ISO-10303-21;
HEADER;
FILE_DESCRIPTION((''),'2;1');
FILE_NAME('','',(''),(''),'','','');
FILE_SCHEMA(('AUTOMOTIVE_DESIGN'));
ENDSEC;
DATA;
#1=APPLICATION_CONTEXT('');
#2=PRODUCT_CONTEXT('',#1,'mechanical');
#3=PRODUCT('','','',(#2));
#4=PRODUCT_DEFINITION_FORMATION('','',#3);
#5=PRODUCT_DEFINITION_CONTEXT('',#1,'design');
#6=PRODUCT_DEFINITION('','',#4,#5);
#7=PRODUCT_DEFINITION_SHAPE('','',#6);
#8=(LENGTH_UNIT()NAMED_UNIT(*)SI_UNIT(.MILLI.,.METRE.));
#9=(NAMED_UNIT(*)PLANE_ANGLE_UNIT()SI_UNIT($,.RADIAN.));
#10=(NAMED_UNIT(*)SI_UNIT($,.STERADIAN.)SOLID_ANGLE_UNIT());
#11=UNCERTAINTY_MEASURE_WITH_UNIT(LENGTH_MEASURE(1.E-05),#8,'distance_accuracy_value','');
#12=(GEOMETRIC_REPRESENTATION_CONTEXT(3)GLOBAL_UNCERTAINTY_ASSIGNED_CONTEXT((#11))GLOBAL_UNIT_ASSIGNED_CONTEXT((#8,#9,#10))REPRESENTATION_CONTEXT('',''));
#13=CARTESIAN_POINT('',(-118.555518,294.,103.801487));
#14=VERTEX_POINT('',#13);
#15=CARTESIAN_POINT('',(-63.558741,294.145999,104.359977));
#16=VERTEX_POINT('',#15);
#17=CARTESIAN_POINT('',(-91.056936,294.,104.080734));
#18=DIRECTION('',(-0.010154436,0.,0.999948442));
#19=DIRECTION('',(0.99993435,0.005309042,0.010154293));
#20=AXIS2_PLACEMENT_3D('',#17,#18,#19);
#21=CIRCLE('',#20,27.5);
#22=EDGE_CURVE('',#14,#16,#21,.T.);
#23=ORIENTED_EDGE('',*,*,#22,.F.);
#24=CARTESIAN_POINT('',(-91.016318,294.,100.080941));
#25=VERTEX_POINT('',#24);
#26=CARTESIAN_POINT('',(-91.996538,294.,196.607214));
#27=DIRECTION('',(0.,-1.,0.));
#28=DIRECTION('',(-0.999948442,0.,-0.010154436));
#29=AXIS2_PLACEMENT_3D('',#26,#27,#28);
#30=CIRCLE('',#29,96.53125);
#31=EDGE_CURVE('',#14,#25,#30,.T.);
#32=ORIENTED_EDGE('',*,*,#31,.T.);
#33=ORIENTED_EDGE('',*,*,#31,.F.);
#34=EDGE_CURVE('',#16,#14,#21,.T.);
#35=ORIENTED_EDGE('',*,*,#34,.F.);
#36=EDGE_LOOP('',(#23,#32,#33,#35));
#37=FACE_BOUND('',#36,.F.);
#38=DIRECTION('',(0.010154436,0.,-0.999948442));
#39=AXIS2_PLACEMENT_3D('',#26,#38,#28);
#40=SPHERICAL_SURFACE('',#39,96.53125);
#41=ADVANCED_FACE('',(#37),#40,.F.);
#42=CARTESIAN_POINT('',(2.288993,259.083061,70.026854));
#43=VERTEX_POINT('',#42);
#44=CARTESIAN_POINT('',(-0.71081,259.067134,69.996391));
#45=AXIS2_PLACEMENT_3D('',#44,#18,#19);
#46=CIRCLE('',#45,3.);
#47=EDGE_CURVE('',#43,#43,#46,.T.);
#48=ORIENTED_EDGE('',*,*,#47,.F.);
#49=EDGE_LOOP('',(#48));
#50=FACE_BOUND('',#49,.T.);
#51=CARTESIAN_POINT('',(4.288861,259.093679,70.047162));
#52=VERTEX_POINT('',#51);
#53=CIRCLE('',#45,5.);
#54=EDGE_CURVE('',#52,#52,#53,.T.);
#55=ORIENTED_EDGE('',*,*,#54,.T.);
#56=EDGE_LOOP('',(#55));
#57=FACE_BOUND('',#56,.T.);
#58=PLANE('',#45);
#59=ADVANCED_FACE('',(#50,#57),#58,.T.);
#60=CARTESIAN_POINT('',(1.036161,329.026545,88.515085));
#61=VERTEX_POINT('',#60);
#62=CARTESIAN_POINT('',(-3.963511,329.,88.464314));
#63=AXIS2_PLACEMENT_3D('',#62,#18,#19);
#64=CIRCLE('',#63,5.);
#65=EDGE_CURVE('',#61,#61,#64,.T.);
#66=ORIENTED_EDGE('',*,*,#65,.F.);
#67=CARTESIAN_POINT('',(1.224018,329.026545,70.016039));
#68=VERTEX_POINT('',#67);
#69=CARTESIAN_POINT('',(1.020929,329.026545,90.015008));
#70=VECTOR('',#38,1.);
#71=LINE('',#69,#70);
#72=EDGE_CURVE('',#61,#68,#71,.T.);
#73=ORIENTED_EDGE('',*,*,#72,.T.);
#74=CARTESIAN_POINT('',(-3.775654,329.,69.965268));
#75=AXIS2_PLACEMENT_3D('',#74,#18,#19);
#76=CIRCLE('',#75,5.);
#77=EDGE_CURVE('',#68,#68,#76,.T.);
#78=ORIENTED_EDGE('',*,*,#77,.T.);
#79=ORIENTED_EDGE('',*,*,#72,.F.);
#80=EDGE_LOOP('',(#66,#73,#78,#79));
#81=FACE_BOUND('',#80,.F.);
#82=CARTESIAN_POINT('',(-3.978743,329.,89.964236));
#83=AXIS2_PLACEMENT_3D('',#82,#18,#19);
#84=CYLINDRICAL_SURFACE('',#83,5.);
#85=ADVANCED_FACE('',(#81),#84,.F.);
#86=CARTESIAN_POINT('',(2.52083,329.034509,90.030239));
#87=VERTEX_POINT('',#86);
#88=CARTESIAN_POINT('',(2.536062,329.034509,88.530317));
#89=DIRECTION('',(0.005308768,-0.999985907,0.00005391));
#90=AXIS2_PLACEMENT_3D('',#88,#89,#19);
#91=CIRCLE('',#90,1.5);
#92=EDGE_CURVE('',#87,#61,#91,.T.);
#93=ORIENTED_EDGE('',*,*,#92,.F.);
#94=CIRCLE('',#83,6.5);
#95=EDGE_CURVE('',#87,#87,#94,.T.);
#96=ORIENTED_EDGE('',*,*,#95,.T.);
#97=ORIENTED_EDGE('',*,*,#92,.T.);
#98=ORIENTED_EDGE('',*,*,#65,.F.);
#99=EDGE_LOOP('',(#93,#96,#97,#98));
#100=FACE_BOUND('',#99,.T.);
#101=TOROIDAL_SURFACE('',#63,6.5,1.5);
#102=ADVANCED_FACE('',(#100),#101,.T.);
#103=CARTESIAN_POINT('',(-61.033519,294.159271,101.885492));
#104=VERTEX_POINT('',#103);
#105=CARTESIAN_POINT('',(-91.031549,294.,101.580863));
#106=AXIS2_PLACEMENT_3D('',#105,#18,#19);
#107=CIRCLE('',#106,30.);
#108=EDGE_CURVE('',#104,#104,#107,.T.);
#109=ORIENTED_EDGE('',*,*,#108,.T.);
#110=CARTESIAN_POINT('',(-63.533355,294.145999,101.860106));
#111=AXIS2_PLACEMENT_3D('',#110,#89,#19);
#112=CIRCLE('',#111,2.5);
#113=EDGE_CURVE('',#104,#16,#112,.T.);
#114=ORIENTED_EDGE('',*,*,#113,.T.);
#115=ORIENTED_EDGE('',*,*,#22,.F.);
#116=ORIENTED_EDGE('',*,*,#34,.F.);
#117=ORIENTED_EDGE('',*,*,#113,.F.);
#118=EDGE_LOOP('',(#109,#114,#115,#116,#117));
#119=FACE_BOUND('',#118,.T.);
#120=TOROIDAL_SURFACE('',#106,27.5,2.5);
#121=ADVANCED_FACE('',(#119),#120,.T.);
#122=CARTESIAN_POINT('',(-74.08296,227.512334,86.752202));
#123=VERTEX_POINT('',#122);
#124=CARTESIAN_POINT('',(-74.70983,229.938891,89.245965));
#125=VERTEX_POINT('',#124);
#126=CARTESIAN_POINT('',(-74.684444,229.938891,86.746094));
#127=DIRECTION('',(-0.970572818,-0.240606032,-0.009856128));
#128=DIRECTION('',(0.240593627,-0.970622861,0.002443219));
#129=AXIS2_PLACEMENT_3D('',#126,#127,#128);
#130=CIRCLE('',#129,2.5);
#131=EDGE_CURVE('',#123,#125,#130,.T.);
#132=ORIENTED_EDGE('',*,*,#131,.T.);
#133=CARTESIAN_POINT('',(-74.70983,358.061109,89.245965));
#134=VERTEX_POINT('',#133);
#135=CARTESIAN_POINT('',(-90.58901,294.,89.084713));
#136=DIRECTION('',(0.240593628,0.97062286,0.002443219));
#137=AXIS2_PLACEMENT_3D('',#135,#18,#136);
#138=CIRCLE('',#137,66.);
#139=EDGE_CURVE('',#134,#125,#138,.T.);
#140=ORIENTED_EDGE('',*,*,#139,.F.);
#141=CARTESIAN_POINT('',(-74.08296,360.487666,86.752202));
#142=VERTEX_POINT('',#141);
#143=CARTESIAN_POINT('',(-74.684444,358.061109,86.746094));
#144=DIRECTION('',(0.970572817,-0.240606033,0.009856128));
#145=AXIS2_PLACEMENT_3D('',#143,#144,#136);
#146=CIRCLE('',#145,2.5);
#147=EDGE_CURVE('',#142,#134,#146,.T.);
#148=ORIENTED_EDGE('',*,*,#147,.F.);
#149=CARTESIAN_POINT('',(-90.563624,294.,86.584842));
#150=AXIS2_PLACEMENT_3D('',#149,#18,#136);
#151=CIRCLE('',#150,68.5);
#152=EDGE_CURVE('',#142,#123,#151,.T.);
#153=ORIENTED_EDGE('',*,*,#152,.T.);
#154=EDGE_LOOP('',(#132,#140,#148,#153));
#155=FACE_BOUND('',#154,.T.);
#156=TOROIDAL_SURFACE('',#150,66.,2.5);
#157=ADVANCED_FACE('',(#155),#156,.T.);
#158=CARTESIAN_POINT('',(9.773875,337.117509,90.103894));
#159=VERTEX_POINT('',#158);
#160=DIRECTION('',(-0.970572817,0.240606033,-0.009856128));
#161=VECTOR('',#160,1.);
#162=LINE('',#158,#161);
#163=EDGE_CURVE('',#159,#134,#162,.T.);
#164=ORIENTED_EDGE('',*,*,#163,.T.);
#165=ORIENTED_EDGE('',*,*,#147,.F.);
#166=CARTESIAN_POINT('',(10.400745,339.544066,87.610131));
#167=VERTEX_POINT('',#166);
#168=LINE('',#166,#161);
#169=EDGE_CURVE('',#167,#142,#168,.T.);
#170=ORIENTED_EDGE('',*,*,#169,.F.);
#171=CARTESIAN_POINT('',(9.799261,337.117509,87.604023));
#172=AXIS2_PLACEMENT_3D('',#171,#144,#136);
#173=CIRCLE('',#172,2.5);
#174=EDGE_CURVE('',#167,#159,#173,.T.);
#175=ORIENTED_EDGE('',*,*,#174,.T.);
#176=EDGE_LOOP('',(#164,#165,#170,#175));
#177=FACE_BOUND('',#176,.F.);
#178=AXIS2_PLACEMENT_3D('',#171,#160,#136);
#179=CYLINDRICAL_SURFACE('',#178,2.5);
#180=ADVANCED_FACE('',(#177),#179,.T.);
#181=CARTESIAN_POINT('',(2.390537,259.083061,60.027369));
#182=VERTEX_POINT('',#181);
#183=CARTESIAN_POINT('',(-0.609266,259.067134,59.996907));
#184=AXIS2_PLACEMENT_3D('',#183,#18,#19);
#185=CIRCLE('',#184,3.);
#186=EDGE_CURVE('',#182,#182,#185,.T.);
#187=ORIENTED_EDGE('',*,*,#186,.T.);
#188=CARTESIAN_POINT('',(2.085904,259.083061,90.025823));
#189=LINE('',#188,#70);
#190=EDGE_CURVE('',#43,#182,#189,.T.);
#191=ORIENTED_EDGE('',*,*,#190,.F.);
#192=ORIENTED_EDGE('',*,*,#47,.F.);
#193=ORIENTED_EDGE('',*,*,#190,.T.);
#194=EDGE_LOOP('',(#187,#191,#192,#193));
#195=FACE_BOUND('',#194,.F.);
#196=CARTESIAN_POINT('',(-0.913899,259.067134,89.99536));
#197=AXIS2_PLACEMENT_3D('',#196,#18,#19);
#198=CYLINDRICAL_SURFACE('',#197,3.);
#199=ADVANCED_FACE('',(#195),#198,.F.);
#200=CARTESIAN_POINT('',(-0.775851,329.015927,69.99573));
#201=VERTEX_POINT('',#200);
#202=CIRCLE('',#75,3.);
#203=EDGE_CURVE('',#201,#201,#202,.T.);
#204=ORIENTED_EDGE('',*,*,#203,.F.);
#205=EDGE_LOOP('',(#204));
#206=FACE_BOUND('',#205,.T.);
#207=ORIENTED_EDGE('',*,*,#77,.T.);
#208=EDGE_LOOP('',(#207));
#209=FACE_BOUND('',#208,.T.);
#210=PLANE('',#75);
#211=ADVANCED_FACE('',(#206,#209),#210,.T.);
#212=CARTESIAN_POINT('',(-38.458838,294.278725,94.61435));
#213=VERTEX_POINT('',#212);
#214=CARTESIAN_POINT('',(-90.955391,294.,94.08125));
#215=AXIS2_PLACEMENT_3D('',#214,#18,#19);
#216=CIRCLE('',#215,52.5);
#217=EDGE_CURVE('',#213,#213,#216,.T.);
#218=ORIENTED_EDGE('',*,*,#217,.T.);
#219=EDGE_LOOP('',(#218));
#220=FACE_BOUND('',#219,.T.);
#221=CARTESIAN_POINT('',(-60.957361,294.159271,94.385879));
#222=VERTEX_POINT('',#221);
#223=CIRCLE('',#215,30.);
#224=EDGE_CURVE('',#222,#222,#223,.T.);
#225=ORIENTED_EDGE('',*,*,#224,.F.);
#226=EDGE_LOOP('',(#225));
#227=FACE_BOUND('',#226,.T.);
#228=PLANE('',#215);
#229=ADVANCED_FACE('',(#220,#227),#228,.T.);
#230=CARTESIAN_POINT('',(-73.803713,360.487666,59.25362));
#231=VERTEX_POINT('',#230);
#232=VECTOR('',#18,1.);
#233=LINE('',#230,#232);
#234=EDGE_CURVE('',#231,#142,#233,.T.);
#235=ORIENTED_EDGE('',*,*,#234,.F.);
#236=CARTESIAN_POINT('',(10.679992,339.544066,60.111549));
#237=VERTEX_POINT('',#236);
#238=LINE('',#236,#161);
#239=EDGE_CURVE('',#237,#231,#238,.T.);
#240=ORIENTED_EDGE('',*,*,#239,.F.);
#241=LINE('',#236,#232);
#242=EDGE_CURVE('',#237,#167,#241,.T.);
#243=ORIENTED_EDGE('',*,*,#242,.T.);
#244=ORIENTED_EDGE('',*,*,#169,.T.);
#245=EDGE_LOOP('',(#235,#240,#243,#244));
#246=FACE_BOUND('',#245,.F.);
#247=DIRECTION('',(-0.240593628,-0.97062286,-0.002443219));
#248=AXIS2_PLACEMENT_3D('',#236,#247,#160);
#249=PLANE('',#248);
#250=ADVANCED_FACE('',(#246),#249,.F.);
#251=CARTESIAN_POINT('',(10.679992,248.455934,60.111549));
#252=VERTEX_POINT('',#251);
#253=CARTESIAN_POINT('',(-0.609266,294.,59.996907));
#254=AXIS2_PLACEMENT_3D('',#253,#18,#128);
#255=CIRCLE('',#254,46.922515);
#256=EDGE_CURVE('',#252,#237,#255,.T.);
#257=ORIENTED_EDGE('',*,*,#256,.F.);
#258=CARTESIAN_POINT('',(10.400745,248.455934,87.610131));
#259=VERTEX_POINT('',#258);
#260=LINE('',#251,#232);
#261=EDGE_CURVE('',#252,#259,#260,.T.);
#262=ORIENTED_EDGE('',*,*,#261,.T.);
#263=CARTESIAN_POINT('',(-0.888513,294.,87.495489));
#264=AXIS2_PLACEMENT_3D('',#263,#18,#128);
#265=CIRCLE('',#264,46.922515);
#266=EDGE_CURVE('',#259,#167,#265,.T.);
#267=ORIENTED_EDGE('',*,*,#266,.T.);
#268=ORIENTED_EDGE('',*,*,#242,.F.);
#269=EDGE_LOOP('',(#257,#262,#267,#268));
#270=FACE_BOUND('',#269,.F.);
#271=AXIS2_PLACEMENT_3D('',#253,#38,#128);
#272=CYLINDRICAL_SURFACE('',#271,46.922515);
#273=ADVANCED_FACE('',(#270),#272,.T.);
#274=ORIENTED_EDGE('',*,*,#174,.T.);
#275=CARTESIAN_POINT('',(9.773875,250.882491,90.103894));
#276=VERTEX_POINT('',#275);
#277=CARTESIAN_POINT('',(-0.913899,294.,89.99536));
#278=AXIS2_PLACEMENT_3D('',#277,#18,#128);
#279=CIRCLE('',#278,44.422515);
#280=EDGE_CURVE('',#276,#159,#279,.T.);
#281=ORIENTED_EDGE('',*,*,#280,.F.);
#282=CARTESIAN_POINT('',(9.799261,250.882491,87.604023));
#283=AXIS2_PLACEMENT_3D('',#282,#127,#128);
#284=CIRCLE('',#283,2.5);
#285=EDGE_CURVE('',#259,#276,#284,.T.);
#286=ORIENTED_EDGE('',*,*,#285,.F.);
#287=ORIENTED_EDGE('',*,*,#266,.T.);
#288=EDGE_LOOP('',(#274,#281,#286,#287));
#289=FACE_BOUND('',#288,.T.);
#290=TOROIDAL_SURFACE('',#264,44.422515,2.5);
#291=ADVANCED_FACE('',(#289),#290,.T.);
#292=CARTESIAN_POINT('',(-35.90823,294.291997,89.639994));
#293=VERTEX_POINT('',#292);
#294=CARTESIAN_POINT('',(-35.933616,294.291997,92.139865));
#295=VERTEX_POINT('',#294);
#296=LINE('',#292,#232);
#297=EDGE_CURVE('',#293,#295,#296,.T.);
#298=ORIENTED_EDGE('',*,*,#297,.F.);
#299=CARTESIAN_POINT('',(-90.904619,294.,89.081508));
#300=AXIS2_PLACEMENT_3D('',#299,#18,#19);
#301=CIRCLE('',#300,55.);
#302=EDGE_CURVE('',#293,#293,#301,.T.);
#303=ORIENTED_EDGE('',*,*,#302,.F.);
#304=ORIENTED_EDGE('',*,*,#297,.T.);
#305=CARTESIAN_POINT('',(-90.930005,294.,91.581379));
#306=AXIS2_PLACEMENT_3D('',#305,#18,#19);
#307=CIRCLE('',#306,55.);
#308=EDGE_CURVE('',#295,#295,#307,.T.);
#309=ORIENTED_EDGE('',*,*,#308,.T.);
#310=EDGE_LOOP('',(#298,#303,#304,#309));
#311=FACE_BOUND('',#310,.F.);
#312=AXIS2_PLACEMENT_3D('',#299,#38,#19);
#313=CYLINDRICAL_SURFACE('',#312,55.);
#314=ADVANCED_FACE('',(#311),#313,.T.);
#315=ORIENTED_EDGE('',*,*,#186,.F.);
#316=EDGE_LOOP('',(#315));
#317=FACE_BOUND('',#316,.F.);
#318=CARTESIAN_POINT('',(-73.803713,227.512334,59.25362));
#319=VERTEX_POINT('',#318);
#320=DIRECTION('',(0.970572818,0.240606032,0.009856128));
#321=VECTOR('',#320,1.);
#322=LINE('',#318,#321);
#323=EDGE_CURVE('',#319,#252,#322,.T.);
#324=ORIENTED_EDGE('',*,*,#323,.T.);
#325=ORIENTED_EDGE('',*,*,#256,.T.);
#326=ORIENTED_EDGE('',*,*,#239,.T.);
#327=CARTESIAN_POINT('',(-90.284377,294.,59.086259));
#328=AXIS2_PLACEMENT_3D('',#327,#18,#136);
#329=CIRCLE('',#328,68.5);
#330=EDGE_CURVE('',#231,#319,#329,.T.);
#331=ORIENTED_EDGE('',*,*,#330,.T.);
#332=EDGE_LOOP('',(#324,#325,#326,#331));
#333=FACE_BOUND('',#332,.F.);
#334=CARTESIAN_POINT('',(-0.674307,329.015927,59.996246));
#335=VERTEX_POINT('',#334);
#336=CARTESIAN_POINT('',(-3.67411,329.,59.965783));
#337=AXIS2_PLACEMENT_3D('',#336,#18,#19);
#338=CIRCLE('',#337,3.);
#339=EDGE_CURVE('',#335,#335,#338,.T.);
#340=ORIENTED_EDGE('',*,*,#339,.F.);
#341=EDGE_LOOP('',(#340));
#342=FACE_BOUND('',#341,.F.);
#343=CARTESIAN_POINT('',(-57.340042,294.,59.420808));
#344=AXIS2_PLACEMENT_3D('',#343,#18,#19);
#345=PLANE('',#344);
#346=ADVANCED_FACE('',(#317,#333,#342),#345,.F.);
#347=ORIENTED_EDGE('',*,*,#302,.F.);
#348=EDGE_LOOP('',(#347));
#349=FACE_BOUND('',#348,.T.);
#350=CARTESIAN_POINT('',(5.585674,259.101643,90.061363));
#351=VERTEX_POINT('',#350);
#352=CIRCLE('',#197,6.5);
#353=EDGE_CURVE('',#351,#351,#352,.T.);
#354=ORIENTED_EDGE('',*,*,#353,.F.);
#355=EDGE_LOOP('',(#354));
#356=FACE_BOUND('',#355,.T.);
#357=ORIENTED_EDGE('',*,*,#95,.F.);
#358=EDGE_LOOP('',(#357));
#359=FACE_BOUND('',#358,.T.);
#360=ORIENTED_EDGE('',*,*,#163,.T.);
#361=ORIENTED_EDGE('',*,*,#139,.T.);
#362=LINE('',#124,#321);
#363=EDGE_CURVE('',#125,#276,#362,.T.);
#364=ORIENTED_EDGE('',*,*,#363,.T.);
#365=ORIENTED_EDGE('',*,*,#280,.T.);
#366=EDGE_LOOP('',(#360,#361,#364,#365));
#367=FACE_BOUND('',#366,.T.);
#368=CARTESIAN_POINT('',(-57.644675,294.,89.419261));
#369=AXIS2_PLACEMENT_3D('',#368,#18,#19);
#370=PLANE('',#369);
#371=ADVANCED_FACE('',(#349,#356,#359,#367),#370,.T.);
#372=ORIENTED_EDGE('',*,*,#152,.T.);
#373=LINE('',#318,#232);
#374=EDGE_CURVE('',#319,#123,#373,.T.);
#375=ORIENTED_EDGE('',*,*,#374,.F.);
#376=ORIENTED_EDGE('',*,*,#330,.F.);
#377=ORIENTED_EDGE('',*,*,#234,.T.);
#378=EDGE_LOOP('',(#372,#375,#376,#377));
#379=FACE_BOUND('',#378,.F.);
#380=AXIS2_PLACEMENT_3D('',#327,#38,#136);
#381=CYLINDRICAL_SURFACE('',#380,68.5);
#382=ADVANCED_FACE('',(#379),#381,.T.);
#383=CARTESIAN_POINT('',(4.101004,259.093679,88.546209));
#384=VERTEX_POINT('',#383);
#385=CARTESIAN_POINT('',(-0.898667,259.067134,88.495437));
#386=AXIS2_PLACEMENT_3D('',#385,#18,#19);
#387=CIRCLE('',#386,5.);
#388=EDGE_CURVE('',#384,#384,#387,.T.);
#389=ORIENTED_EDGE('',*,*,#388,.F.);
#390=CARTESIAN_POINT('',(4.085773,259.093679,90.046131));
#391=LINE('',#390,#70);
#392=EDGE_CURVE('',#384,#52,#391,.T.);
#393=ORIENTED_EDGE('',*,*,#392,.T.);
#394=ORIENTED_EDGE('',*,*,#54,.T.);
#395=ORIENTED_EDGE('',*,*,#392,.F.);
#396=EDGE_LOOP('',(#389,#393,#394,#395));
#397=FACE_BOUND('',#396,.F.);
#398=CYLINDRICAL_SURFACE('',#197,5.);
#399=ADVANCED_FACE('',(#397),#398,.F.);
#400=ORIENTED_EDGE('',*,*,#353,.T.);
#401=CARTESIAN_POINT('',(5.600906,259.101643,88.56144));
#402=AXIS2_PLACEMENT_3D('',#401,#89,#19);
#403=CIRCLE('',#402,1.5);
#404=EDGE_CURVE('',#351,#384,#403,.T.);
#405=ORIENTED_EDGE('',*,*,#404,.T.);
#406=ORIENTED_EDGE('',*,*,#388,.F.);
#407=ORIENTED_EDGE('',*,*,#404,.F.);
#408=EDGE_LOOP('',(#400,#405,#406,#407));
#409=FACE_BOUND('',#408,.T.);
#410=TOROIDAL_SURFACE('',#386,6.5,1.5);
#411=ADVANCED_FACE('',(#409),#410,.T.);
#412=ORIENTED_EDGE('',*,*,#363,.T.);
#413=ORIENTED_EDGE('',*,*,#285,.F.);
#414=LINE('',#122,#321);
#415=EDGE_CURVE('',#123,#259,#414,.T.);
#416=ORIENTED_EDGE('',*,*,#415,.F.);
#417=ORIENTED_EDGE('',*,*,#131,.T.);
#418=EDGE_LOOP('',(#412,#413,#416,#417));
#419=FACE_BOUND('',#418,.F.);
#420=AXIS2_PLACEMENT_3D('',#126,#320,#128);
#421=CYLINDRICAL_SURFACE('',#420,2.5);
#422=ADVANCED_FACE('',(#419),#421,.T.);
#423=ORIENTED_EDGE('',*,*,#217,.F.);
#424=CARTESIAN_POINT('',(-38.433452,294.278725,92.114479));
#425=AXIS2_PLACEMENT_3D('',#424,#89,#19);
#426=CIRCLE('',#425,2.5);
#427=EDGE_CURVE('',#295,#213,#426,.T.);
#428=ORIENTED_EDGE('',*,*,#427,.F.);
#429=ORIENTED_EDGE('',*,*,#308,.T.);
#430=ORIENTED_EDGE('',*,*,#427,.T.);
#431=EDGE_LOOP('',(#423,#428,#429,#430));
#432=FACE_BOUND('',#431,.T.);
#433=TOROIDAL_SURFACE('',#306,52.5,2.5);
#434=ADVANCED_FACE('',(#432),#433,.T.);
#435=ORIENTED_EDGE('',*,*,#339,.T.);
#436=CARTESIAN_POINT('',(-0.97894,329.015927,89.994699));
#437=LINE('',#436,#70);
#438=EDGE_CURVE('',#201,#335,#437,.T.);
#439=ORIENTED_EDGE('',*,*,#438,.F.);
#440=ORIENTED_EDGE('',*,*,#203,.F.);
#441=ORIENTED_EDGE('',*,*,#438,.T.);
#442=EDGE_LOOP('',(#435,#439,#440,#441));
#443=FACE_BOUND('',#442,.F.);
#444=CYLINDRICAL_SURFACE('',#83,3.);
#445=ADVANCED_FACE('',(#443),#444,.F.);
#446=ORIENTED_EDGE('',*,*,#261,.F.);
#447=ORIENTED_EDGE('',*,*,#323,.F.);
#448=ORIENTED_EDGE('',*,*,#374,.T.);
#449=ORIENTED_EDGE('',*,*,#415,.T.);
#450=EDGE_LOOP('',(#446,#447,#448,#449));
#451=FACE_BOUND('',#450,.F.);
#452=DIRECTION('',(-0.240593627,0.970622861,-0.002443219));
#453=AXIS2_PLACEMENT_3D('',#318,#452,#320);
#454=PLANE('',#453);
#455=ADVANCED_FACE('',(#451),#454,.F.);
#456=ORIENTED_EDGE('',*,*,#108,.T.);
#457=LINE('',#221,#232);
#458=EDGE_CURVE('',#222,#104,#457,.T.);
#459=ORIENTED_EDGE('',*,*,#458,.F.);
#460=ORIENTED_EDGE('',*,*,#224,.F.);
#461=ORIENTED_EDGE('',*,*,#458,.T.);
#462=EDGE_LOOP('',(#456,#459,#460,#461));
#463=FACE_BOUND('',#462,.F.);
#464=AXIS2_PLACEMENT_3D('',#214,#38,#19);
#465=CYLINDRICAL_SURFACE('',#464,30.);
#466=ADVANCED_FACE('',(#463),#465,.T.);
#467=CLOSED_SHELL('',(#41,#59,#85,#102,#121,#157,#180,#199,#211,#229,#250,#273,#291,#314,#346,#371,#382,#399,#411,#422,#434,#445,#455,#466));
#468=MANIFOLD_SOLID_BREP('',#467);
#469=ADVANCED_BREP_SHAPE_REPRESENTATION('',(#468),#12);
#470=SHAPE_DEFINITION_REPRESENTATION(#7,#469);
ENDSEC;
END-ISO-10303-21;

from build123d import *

# Parameters (mm, degrees)
BOSS_EXTRUDE1_DEPTH = 30
SKETCH2_R           = 55
BOSS_EXTRUDE2_DEPTH = 5
SKETCH3_R           = 30
BOSS_EXTRUDE3_DEPTH = 10
SKETCH4_R           = 5
CUT_EXTRUDE4_DEPTH  = 20
SKETCH5_R           = 3
CUT_EXTRUDE5_DEPTH  = 33.082590237
FILLET1_R           = 2.5
FILLET2_R           = 1.5
DOME1_FACE_RADIUS   = 27.5
DOME1_HEIGHT        = 4


with BuildPart() as part:
    # Sketch1 → Boss-Extrude1 (new body)
    with BuildSketch(Plane(origin=(-0.609266147, 0, 59.996906543), x_dir=(0.99993435, 0.005309042, 0.010154293), z_dir=(-0.010154436, 0, 0.999948442))):
        with BuildLine():
            Line((13.092334874, 339.479342253), (-71.283345055, 360.871198017))
            ThreePointArc((-71.283345055, 360.871198017), (-156.616646458, 294.835639545), (-71.989316722, 227.897740169))
            Line((-71.989316722, 227.897740169), (12.608744127, 248.392494546))
            ThreePointArc((12.608744127, 248.392494546), (48.482712148, 293.74674302), (13.092334874, 339.479342253))
        make_face()
    extrude(amount=BOSS_EXTRUDE1_DEPTH)

    # Sketch2 → Boss-Extrude2 (add)
    with BuildSketch(Plane(origin=(-0.91389922, 0, 89.995359815), x_dir=(0.99993435, 0.005309042, 0.010154293), z_dir=(-0.010154436, 0, 0.999948442))):
        with Locations((-88.433233056, 294.473645815)):
            Circle(SKETCH2_R)
    extrude(amount=BOSS_EXTRUDE2_DEPTH)

    # Sketch3 → Boss-Extrude3 (add)
    with BuildSketch(Plane(origin=(-0.964671399, 0, 94.995102027), x_dir=(0.99993435, 0.005309042, 0.010154293), z_dir=(-0.010154436, 0, 0.999948442))):
        with Locations((-88.433233056, 294.473645815)):
            Circle(SKETCH3_R)
    extrude(amount=BOSS_EXTRUDE3_DEPTH)

    # Sketch4 → Cut-Extrude4 (cut)
    with BuildSketch(Plane(origin=(-0.91389922, 0, 89.995359815), x_dir=(0.99993435, 0.005309042, 0.010154293), z_dir=(-0.010154436, 0, 0.999948442))):
        with Locations((-1.318283572, 329.011635606)):
            Circle(SKETCH4_R)
        with Locations((1.375398384, 259.063482824)):
            Circle(SKETCH4_R)
    extrude(amount=-CUT_EXTRUDE4_DEPTH, mode=Mode.SUBTRACT)

    # Sketch5 → Cut-Extrude5 (cut, through all)
    with BuildSketch(Plane(origin=(-0.91389922, 0, 89.995359815), x_dir=(0.99993435, 0.005309042, 0.010154293), z_dir=(-0.010154436, 0, 0.999948442))):
        with Locations((-1.318283572, 329.011635606)):
            Circle(SKETCH5_R)
        with Locations((1.375398384, 259.063482824)):
            Circle(SKETCH5_R)
    extrude(amount=-CUT_EXTRUDE5_DEPTH, mode=Mode.SUBTRACT)

    # Fillet1
    fillet1_edges = [part.edges().sort_by_distance(p)[0] for p in [
        (-159.085477995, 294, 88.389133863),
        (-145.951780521, 293.708002671, 93.522763829),
        (-31.866493678, 237.984134176, 89.681037477),
        (-121.054966127, 293.84072873, 103.776105569),
        (46.006196549, 294, 90.47183148),
        (-31.866493678, 350.015865824, 89.681037477),
    ]]
    fillet(fillet1_edges, radius=FILLET1_R)

    # Fillet2
    fillet2_edges = [part.edges().sort_by_distance(p)[0] for p in [
        (-8.978414644, 328.973454788, 89.913464989),
        (-5.91357097, 259.040588662, 89.944588352),
    ]]
    fillet(fillet2_edges, radius=FILLET2_R)

    # Dome1: a dome of height H over a round flat face of radius A is a cap of a sphere of radius (A * A + H * H) / (2 * H)
    dome1_r = (DOME1_FACE_RADIUS * DOME1_FACE_RADIUS + DOME1_HEIGHT * DOME1_HEIGHT) / (2 * DOME1_HEIGHT)
    dome1_base = Plane((-91.056935626, 294, 104.080734349), z_dir=(0.010154436, 0, -0.999948442))
    with Locations(dome1_base.offset(DOME1_HEIGHT - dome1_r)):
        dome1_ball = Sphere(dome1_r, mode=Mode.PRIVATE)
    add(split(dome1_ball, bisect_by=dome1_base, keep=Keep.TOP, mode=Mode.PRIVATE), mode=Mode.SUBTRACT)


solid = part.part
